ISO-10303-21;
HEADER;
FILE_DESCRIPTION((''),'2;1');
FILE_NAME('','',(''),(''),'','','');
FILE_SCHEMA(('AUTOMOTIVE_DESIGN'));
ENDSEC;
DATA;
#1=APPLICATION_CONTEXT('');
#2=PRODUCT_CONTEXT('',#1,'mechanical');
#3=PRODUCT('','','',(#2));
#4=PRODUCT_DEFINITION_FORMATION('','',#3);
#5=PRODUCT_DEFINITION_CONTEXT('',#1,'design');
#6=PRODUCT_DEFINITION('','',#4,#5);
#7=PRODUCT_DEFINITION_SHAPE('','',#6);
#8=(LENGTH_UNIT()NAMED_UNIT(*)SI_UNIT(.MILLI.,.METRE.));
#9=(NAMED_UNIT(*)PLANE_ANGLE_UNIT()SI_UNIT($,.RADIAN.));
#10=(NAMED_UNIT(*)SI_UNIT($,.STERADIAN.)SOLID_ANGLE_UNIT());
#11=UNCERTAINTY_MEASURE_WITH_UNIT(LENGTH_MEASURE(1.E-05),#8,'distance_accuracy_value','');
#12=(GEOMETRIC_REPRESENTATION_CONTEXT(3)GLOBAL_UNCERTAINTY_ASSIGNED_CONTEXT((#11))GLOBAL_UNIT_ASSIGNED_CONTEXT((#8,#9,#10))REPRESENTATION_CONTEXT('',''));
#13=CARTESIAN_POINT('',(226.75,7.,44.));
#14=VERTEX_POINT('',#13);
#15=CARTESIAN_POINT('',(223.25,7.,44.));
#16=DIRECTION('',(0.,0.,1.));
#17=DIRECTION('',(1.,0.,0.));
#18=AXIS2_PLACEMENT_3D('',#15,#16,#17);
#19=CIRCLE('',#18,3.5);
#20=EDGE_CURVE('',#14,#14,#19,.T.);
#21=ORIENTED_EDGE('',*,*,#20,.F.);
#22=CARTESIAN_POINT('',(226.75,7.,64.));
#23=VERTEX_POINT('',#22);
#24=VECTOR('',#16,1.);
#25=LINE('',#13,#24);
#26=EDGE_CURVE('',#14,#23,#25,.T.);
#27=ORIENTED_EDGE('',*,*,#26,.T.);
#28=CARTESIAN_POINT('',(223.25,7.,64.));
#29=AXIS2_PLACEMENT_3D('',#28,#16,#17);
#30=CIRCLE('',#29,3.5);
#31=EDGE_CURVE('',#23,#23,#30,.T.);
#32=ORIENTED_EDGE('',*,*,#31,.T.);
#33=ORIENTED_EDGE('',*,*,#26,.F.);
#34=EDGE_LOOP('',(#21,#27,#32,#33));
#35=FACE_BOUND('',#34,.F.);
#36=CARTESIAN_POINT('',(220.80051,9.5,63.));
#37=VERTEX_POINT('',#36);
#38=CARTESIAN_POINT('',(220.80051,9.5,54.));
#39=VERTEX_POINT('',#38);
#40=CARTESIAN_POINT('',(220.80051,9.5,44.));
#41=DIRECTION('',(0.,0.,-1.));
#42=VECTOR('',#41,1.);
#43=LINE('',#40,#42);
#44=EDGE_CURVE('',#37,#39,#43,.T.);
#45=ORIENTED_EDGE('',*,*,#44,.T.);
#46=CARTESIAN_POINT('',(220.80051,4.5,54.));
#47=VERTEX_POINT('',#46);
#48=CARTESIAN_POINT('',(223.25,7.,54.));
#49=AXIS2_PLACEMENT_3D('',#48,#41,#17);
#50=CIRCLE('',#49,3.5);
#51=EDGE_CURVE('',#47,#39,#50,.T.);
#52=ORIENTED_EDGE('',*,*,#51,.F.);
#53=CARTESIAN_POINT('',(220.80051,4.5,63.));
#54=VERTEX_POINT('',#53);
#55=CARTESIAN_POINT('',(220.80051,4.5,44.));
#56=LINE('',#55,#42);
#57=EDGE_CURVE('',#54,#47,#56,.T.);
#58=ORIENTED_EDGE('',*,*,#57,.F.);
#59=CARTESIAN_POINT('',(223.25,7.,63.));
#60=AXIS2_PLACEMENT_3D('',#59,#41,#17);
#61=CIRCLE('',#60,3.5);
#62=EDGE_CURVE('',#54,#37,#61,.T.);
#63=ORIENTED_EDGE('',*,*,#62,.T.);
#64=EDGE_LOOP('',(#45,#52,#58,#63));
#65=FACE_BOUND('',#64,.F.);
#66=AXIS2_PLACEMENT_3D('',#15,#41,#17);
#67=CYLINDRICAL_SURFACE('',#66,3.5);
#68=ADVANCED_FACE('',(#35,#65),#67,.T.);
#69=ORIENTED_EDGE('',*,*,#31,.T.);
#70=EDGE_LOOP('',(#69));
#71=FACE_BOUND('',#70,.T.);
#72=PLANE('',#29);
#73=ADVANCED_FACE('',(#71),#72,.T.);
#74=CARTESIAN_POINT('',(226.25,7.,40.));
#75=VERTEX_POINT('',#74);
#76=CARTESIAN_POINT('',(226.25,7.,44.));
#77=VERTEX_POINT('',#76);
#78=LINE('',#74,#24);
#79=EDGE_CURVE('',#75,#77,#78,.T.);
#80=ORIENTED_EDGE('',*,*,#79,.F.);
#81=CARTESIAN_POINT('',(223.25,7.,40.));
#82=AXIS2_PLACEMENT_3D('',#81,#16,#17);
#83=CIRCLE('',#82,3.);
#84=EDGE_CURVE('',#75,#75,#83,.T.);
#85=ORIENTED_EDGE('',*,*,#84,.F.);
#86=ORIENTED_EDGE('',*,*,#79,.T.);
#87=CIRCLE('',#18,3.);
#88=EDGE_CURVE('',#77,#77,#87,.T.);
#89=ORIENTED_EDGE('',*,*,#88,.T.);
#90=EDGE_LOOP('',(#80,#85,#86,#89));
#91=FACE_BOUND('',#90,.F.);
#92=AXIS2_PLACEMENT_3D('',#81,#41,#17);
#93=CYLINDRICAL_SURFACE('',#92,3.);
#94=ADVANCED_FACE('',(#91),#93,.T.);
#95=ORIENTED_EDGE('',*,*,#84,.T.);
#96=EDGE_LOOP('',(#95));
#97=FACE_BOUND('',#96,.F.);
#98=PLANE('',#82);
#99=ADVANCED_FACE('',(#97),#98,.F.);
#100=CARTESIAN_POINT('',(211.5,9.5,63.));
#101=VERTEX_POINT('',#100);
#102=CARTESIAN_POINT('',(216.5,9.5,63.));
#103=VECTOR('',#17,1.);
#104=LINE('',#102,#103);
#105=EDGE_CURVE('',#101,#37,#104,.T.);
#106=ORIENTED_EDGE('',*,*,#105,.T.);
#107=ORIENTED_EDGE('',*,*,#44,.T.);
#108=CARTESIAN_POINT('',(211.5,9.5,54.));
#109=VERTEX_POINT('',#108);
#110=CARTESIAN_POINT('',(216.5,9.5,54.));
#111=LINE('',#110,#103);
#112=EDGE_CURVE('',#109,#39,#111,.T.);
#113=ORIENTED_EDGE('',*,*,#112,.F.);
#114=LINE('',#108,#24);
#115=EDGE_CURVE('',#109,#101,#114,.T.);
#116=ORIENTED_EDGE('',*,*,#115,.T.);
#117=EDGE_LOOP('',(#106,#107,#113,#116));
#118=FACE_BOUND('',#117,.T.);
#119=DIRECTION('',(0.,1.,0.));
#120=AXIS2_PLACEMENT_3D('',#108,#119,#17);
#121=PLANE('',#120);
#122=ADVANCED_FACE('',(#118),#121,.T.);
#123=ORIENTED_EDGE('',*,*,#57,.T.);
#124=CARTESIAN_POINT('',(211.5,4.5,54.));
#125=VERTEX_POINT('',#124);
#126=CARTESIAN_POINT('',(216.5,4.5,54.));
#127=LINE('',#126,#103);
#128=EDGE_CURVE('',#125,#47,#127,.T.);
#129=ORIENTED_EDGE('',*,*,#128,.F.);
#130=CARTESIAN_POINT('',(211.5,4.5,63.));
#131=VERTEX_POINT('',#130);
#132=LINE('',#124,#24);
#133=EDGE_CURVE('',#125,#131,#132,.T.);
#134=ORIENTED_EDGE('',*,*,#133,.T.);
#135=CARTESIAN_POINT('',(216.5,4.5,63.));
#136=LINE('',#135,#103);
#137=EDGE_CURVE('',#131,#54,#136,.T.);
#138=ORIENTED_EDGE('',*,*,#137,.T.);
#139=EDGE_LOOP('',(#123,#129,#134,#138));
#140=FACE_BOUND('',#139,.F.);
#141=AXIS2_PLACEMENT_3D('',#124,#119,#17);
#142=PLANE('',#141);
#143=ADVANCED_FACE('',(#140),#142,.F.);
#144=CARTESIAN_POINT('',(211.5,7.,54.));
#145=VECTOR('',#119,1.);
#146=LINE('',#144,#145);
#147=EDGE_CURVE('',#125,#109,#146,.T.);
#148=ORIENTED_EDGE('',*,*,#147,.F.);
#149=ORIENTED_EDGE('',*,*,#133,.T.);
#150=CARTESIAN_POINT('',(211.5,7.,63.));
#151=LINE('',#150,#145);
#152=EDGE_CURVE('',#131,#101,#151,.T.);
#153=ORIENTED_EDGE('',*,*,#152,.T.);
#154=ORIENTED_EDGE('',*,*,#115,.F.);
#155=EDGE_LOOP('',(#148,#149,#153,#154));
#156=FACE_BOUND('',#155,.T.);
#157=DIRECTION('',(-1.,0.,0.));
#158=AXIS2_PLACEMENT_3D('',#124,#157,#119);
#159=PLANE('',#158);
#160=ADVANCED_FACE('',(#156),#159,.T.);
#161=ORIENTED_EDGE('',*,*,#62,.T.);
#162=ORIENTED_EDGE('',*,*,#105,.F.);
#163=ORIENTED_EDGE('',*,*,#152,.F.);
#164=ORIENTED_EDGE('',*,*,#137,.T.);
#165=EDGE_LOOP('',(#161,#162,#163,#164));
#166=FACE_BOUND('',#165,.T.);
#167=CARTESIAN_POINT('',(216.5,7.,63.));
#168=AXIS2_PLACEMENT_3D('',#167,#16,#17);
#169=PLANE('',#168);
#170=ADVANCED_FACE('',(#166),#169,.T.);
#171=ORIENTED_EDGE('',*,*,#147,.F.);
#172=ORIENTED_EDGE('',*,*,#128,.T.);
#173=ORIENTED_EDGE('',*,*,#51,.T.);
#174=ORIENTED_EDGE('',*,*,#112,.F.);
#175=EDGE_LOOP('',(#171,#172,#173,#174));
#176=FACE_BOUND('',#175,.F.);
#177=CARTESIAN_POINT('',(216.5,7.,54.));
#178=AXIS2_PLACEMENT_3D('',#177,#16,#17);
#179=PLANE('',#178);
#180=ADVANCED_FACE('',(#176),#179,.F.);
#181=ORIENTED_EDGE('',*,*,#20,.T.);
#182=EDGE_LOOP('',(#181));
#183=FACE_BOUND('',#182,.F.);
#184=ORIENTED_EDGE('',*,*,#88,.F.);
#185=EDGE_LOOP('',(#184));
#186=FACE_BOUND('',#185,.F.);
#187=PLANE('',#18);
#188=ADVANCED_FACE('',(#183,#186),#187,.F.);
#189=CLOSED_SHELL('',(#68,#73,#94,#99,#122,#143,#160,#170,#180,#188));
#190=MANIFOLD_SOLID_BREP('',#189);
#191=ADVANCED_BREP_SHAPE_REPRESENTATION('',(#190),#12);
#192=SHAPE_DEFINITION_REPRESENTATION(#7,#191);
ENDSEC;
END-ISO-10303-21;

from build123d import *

# Parameters (mm, degrees)
BOX012_W          = 10
BOX012_H          = 5
BOX012_DEPTH      = 9
CYLINDER001_R     = 3
CYLINDER001_DEPTH = 4
CYLINDER_R        = 3.5
CYLINDER_DEPTH    = 20


with BuildPart() as cube010:
    # Box012 → Box012 (new body)
    with BuildSketch(Plane.XY):
        with Locations((5, 2.5)):
            Rectangle(BOX012_W, BOX012_H)
    extrude(amount=BOX012_DEPTH)


with BuildPart() as cylinder001:
    # Cylinder001 → Cylinder001 (new body)
    with BuildSketch(Plane(origin=(11.75, 2.5, -14), x_dir=(1, 0, 0), z_dir=(0, 0, 1))):
        Circle(CYLINDER001_R)
    extrude(amount=CYLINDER001_DEPTH)


with BuildPart() as usb:
    # Cylinder → Cylinder (new body)
    with BuildSketch(Plane(origin=(11.75, 2.5, -10), x_dir=(1, 0, 0), z_dir=(0, 0, 1))):
        Circle(CYLINDER_R)
    extrude(amount=CYLINDER_DEPTH)

    # Fusion001: union Cube010, Cylinder001
    add(cube010.part)
    add(cylinder001.part)


with BuildPart() as usb_1:
    # Fusion001 placement: moved
    add(usb.part.moved(Location((211.5, 4.5, 54))))


solid = usb_1.part
